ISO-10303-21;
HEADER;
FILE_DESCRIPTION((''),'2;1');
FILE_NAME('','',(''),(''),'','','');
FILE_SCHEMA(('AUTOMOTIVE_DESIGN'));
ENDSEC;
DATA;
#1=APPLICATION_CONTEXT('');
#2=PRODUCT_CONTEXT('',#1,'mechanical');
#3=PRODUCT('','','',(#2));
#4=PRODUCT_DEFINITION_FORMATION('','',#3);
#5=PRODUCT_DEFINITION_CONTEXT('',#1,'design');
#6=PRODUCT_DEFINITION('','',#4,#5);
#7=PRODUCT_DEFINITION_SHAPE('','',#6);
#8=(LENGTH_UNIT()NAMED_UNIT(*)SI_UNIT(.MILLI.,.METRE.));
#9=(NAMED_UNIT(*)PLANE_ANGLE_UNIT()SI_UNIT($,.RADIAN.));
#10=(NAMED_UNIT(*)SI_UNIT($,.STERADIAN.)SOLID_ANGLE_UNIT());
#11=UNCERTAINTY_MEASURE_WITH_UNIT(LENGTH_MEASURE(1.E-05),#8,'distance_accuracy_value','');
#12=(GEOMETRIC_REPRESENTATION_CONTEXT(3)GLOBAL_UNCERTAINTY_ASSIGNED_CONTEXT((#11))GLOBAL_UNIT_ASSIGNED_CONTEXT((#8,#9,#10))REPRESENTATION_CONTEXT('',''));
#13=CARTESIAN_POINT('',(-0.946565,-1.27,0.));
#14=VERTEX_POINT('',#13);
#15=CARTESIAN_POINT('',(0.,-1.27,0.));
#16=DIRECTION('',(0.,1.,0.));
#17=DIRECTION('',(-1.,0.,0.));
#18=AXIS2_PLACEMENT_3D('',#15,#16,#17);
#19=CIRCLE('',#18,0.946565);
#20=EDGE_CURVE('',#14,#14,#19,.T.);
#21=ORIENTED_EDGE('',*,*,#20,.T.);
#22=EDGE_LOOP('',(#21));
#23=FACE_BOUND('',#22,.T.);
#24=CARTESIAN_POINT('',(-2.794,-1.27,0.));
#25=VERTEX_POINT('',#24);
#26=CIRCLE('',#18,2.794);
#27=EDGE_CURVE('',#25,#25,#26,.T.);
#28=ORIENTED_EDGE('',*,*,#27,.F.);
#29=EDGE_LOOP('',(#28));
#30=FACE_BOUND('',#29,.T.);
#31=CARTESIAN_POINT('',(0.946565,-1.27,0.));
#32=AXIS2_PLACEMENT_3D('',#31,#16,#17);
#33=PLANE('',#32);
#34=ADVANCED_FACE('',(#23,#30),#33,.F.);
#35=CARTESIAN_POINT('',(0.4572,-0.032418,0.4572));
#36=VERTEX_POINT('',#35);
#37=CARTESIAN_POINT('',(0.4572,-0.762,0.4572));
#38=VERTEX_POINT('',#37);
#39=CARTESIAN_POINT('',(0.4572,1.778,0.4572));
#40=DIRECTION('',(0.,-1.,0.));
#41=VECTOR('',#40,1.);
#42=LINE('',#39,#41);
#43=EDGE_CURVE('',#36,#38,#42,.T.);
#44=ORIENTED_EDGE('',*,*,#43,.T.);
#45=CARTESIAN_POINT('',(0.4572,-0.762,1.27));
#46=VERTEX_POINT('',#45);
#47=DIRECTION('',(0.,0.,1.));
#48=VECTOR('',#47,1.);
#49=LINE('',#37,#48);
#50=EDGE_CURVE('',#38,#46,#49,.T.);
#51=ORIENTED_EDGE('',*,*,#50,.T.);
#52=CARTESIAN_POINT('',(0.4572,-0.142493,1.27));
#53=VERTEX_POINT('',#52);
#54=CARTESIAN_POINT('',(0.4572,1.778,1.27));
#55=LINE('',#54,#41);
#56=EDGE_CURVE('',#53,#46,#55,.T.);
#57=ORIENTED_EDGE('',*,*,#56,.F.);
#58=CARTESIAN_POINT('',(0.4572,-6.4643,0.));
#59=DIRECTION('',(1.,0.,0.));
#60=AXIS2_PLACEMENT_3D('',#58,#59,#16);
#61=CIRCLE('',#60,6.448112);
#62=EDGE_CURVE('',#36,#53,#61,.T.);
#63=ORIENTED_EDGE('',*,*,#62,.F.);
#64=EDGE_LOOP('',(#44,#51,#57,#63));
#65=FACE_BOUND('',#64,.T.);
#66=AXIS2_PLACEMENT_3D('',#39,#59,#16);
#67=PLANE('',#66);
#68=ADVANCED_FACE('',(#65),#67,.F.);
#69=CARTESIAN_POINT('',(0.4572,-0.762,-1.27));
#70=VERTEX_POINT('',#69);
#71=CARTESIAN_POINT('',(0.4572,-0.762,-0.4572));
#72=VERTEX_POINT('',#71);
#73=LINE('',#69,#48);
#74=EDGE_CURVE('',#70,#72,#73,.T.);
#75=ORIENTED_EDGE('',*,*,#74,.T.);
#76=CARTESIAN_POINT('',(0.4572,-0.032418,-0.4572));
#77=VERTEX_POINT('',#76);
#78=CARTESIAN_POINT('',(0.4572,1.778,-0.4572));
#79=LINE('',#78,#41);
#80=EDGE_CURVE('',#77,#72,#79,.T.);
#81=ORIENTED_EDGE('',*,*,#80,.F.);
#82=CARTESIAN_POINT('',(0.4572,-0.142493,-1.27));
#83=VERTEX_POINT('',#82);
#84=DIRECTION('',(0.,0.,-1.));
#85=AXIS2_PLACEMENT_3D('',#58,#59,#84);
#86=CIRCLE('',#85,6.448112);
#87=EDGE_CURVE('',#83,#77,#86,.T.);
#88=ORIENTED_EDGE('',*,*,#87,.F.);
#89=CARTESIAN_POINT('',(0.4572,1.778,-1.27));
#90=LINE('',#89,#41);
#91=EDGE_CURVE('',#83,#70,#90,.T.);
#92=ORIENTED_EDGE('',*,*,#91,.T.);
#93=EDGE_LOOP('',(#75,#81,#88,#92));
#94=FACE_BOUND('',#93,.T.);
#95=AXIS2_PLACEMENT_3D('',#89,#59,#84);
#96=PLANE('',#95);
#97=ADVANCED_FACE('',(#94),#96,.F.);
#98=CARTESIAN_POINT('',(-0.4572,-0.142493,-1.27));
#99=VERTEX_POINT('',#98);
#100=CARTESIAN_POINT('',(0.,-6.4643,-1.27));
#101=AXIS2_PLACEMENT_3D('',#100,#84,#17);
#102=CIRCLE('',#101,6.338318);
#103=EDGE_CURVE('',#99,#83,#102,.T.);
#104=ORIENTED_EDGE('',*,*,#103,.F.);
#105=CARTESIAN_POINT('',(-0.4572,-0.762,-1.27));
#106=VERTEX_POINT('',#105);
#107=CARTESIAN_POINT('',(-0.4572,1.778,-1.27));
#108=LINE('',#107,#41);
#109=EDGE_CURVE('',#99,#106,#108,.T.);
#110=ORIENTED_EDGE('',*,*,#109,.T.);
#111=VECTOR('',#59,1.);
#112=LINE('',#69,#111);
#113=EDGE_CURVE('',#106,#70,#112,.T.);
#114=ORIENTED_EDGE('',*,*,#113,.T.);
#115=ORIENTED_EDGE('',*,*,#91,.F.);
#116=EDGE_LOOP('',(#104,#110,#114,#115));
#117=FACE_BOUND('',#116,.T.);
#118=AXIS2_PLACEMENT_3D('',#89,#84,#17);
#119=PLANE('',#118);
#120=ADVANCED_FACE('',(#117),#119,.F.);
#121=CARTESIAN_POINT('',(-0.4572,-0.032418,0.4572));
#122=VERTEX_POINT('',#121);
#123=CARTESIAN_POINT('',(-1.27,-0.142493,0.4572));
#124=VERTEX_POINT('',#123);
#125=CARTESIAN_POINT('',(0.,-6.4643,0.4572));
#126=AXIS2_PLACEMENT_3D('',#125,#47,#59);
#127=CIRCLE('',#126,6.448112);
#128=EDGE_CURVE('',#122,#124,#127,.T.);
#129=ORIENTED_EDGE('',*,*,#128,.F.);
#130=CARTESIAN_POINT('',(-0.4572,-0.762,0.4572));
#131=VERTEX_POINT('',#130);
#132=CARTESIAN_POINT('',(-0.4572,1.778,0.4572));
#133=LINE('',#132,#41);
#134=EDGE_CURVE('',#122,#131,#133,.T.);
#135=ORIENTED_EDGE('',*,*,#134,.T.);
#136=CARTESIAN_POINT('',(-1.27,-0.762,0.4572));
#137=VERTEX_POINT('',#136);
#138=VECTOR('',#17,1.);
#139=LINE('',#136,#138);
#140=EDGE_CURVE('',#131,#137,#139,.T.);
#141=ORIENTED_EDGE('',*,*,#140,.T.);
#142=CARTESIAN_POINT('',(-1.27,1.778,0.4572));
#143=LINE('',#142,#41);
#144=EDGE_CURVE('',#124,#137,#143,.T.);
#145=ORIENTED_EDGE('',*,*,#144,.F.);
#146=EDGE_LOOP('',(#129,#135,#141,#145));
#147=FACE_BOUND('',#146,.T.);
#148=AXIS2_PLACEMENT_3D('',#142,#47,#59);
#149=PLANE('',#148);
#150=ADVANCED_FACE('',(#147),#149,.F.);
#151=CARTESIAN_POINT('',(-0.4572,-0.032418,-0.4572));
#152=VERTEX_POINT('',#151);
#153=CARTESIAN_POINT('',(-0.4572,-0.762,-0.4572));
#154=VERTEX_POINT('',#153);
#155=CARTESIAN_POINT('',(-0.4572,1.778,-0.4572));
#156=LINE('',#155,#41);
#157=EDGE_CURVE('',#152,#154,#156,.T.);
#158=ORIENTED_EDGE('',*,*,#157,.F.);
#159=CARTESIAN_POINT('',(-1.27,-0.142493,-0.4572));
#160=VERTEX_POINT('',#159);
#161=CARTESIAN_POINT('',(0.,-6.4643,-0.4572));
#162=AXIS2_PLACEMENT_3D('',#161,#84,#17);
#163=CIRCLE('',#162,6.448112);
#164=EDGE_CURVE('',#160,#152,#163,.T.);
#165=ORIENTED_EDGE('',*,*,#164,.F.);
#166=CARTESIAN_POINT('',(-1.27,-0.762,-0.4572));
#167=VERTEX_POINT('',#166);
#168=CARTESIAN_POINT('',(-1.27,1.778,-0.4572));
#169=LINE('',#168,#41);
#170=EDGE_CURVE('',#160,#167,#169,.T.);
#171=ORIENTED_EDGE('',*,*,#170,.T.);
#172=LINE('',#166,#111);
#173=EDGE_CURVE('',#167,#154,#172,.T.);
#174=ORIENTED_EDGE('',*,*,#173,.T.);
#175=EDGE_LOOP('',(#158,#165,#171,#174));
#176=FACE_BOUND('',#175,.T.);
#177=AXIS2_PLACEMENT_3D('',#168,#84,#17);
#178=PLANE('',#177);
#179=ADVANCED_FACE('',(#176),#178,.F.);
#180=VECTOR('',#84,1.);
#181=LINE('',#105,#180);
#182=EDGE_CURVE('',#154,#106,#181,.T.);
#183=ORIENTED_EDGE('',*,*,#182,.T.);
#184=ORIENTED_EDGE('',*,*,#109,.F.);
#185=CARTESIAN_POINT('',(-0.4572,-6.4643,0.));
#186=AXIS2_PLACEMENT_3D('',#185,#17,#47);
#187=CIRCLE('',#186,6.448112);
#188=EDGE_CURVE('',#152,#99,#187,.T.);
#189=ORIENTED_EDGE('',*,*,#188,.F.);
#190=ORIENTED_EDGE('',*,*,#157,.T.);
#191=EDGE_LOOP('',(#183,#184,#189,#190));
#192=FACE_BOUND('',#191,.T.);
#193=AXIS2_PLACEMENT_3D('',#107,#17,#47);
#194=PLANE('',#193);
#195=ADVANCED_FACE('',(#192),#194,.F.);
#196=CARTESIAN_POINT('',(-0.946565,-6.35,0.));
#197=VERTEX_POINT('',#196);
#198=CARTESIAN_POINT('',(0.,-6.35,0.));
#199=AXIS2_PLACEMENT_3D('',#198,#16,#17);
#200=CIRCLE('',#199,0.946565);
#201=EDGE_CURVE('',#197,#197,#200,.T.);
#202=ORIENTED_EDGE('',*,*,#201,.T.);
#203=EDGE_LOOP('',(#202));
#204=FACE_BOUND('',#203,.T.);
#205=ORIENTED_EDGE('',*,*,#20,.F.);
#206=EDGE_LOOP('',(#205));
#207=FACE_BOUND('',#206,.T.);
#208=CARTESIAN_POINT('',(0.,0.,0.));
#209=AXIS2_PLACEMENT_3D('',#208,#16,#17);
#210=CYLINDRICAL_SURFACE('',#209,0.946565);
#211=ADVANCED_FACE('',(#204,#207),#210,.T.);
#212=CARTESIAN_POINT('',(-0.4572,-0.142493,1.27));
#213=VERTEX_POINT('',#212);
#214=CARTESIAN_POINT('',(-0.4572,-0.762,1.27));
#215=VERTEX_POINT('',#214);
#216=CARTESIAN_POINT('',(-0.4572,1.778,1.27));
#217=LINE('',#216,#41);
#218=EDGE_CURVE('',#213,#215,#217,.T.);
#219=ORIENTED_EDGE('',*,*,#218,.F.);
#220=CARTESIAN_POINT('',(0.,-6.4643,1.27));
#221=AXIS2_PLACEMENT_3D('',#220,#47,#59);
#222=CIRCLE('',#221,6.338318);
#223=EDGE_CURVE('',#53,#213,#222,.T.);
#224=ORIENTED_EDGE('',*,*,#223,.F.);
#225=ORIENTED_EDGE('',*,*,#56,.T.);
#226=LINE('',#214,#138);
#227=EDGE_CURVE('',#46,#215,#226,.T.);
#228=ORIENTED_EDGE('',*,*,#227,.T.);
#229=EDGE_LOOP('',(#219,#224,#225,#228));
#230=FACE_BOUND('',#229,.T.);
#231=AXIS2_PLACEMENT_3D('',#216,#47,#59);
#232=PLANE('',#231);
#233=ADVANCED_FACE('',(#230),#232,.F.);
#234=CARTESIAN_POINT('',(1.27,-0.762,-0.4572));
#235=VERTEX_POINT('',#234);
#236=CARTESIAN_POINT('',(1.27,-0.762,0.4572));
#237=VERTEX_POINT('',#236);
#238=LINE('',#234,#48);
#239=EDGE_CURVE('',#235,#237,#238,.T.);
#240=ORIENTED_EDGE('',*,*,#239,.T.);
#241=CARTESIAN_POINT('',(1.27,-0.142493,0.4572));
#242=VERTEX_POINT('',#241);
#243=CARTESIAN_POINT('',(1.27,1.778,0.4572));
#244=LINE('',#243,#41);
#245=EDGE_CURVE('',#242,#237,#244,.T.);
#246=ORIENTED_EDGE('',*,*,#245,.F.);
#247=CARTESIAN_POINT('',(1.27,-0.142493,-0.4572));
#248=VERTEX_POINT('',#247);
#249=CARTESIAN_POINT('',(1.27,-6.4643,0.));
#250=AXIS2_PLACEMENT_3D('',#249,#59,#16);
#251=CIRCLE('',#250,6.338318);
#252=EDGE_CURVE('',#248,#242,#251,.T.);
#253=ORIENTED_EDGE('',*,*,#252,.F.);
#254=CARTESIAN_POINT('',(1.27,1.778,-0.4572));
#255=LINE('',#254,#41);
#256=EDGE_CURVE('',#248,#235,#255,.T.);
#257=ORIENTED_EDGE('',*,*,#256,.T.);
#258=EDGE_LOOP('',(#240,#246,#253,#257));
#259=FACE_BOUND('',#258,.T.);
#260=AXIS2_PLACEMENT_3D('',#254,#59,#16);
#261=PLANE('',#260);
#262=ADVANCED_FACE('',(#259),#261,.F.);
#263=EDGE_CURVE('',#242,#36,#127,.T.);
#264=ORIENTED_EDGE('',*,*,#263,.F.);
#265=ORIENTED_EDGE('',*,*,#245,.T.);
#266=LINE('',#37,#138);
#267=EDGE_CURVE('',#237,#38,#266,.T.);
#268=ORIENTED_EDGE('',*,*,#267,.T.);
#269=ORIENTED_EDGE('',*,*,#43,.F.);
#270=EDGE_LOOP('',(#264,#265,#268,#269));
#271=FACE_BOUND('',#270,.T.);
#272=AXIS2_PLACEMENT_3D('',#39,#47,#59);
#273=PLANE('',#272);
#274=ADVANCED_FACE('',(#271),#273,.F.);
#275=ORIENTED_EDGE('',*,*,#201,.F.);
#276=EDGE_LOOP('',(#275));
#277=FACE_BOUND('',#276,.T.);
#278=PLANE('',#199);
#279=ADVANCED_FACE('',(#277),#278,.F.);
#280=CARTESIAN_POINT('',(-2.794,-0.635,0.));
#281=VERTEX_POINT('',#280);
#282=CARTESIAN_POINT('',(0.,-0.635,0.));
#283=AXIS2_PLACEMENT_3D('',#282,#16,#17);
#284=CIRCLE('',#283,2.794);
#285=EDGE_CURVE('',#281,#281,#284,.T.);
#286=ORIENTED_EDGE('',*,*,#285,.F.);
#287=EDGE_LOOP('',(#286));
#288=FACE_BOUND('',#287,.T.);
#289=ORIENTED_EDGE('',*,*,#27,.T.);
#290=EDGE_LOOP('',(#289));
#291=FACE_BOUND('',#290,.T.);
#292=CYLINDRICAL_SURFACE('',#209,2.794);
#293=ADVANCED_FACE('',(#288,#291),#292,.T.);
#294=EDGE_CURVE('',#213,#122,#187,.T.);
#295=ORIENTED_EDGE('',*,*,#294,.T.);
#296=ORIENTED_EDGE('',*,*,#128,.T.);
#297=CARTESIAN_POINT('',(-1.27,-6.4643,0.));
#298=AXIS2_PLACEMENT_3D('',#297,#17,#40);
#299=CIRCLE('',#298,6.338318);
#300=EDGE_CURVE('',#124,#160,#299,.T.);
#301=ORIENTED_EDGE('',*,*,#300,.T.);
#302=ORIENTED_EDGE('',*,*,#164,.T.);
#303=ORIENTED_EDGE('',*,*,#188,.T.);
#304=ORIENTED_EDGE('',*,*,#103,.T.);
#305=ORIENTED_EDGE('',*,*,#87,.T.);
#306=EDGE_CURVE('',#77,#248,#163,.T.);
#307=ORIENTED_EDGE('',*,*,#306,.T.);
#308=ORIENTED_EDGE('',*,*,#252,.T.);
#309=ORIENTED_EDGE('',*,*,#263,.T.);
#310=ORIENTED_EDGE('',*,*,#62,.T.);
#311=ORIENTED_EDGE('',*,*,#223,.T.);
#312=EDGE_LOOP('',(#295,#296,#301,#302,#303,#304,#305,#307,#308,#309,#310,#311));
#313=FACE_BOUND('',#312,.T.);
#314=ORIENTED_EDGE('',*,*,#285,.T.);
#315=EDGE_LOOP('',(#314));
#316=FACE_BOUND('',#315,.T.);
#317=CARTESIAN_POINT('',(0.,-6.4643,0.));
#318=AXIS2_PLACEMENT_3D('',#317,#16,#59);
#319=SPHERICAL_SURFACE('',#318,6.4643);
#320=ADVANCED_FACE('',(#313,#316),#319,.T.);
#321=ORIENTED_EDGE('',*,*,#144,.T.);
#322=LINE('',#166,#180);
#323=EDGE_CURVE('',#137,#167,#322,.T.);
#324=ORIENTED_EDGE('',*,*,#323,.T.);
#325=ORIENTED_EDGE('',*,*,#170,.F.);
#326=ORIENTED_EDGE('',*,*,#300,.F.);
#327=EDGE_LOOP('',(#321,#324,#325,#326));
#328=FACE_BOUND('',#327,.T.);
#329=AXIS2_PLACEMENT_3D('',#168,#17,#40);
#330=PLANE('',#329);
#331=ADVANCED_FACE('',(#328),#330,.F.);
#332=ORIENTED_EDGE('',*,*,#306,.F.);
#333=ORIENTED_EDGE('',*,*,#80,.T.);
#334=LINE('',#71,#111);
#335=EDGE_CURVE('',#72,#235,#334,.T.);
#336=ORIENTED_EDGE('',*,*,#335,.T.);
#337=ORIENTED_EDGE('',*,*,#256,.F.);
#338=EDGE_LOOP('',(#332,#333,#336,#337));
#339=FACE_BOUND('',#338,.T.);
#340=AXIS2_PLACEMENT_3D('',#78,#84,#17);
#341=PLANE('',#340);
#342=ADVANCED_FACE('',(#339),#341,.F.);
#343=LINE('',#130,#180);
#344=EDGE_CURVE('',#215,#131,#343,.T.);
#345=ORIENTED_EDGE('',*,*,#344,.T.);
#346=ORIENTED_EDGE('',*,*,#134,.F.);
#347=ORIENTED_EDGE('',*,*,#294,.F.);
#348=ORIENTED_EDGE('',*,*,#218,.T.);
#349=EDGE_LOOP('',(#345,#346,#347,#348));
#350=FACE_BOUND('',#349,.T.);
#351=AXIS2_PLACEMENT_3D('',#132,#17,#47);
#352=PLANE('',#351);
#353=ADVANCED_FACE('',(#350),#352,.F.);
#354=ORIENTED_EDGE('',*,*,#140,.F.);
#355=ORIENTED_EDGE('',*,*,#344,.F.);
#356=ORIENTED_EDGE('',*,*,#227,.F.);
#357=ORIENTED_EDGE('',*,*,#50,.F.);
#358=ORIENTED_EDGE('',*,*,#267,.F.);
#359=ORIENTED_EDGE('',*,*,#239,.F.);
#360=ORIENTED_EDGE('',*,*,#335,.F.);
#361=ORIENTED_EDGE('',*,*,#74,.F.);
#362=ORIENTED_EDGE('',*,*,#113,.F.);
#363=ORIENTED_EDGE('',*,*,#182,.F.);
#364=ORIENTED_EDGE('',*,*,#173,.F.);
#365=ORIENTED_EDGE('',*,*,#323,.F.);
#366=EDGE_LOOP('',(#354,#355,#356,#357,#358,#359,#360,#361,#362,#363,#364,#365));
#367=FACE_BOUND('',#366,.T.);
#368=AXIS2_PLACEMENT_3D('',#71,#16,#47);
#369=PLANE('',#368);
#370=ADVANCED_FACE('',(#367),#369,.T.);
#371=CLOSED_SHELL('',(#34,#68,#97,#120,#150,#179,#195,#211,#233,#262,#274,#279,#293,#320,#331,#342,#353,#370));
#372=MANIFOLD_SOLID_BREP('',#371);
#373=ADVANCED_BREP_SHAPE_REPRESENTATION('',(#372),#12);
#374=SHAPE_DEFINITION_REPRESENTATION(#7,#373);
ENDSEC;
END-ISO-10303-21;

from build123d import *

# Parameters (mm, degrees)
EXTRUDE1_DEPTH = 2.54


with BuildPart() as part:
    # Sketch1 → Revolve1 (revolve)
    with BuildSketch(Plane.XY):
        with BuildLine():
            Line((0, 0), (0, -6.35))
            Line((0, -6.35), (0.946564988, -6.35))
            Line((0.946564988, -6.35), (0.946564988, -1.27))
            Line((0.946564988, -1.27), (2.794, -1.27))
            Line((2.794, -1.27), (2.794, -0.635))
            ThreePointArc((2.794, -0.635), (1.4326253, -0.16074868), (0, 0))
        make_face()
    revolve(axis=Axis((0, 0, 0), (0, -1, 0)))

    # Sketch2 → Extrude1 (cut)
    with BuildSketch(Plane.XZ.offset(0.762)):
        Polygon((0.4572, -1.27), (-0.4572, -1.27), (-0.4572, -0.4572), (-1.27, -0.4572), (-1.27, 0.4572), (-0.4572, 0.4572), (-0.4572, 1.27), (0.4572, 1.27), (0.4572, 0.4572), (1.27, 0.4572), (1.27, -0.4572), (0.4572, -0.4572), align=None)
    extrude(amount=-EXTRUDE1_DEPTH, mode=Mode.SUBTRACT)


solid = part.part
